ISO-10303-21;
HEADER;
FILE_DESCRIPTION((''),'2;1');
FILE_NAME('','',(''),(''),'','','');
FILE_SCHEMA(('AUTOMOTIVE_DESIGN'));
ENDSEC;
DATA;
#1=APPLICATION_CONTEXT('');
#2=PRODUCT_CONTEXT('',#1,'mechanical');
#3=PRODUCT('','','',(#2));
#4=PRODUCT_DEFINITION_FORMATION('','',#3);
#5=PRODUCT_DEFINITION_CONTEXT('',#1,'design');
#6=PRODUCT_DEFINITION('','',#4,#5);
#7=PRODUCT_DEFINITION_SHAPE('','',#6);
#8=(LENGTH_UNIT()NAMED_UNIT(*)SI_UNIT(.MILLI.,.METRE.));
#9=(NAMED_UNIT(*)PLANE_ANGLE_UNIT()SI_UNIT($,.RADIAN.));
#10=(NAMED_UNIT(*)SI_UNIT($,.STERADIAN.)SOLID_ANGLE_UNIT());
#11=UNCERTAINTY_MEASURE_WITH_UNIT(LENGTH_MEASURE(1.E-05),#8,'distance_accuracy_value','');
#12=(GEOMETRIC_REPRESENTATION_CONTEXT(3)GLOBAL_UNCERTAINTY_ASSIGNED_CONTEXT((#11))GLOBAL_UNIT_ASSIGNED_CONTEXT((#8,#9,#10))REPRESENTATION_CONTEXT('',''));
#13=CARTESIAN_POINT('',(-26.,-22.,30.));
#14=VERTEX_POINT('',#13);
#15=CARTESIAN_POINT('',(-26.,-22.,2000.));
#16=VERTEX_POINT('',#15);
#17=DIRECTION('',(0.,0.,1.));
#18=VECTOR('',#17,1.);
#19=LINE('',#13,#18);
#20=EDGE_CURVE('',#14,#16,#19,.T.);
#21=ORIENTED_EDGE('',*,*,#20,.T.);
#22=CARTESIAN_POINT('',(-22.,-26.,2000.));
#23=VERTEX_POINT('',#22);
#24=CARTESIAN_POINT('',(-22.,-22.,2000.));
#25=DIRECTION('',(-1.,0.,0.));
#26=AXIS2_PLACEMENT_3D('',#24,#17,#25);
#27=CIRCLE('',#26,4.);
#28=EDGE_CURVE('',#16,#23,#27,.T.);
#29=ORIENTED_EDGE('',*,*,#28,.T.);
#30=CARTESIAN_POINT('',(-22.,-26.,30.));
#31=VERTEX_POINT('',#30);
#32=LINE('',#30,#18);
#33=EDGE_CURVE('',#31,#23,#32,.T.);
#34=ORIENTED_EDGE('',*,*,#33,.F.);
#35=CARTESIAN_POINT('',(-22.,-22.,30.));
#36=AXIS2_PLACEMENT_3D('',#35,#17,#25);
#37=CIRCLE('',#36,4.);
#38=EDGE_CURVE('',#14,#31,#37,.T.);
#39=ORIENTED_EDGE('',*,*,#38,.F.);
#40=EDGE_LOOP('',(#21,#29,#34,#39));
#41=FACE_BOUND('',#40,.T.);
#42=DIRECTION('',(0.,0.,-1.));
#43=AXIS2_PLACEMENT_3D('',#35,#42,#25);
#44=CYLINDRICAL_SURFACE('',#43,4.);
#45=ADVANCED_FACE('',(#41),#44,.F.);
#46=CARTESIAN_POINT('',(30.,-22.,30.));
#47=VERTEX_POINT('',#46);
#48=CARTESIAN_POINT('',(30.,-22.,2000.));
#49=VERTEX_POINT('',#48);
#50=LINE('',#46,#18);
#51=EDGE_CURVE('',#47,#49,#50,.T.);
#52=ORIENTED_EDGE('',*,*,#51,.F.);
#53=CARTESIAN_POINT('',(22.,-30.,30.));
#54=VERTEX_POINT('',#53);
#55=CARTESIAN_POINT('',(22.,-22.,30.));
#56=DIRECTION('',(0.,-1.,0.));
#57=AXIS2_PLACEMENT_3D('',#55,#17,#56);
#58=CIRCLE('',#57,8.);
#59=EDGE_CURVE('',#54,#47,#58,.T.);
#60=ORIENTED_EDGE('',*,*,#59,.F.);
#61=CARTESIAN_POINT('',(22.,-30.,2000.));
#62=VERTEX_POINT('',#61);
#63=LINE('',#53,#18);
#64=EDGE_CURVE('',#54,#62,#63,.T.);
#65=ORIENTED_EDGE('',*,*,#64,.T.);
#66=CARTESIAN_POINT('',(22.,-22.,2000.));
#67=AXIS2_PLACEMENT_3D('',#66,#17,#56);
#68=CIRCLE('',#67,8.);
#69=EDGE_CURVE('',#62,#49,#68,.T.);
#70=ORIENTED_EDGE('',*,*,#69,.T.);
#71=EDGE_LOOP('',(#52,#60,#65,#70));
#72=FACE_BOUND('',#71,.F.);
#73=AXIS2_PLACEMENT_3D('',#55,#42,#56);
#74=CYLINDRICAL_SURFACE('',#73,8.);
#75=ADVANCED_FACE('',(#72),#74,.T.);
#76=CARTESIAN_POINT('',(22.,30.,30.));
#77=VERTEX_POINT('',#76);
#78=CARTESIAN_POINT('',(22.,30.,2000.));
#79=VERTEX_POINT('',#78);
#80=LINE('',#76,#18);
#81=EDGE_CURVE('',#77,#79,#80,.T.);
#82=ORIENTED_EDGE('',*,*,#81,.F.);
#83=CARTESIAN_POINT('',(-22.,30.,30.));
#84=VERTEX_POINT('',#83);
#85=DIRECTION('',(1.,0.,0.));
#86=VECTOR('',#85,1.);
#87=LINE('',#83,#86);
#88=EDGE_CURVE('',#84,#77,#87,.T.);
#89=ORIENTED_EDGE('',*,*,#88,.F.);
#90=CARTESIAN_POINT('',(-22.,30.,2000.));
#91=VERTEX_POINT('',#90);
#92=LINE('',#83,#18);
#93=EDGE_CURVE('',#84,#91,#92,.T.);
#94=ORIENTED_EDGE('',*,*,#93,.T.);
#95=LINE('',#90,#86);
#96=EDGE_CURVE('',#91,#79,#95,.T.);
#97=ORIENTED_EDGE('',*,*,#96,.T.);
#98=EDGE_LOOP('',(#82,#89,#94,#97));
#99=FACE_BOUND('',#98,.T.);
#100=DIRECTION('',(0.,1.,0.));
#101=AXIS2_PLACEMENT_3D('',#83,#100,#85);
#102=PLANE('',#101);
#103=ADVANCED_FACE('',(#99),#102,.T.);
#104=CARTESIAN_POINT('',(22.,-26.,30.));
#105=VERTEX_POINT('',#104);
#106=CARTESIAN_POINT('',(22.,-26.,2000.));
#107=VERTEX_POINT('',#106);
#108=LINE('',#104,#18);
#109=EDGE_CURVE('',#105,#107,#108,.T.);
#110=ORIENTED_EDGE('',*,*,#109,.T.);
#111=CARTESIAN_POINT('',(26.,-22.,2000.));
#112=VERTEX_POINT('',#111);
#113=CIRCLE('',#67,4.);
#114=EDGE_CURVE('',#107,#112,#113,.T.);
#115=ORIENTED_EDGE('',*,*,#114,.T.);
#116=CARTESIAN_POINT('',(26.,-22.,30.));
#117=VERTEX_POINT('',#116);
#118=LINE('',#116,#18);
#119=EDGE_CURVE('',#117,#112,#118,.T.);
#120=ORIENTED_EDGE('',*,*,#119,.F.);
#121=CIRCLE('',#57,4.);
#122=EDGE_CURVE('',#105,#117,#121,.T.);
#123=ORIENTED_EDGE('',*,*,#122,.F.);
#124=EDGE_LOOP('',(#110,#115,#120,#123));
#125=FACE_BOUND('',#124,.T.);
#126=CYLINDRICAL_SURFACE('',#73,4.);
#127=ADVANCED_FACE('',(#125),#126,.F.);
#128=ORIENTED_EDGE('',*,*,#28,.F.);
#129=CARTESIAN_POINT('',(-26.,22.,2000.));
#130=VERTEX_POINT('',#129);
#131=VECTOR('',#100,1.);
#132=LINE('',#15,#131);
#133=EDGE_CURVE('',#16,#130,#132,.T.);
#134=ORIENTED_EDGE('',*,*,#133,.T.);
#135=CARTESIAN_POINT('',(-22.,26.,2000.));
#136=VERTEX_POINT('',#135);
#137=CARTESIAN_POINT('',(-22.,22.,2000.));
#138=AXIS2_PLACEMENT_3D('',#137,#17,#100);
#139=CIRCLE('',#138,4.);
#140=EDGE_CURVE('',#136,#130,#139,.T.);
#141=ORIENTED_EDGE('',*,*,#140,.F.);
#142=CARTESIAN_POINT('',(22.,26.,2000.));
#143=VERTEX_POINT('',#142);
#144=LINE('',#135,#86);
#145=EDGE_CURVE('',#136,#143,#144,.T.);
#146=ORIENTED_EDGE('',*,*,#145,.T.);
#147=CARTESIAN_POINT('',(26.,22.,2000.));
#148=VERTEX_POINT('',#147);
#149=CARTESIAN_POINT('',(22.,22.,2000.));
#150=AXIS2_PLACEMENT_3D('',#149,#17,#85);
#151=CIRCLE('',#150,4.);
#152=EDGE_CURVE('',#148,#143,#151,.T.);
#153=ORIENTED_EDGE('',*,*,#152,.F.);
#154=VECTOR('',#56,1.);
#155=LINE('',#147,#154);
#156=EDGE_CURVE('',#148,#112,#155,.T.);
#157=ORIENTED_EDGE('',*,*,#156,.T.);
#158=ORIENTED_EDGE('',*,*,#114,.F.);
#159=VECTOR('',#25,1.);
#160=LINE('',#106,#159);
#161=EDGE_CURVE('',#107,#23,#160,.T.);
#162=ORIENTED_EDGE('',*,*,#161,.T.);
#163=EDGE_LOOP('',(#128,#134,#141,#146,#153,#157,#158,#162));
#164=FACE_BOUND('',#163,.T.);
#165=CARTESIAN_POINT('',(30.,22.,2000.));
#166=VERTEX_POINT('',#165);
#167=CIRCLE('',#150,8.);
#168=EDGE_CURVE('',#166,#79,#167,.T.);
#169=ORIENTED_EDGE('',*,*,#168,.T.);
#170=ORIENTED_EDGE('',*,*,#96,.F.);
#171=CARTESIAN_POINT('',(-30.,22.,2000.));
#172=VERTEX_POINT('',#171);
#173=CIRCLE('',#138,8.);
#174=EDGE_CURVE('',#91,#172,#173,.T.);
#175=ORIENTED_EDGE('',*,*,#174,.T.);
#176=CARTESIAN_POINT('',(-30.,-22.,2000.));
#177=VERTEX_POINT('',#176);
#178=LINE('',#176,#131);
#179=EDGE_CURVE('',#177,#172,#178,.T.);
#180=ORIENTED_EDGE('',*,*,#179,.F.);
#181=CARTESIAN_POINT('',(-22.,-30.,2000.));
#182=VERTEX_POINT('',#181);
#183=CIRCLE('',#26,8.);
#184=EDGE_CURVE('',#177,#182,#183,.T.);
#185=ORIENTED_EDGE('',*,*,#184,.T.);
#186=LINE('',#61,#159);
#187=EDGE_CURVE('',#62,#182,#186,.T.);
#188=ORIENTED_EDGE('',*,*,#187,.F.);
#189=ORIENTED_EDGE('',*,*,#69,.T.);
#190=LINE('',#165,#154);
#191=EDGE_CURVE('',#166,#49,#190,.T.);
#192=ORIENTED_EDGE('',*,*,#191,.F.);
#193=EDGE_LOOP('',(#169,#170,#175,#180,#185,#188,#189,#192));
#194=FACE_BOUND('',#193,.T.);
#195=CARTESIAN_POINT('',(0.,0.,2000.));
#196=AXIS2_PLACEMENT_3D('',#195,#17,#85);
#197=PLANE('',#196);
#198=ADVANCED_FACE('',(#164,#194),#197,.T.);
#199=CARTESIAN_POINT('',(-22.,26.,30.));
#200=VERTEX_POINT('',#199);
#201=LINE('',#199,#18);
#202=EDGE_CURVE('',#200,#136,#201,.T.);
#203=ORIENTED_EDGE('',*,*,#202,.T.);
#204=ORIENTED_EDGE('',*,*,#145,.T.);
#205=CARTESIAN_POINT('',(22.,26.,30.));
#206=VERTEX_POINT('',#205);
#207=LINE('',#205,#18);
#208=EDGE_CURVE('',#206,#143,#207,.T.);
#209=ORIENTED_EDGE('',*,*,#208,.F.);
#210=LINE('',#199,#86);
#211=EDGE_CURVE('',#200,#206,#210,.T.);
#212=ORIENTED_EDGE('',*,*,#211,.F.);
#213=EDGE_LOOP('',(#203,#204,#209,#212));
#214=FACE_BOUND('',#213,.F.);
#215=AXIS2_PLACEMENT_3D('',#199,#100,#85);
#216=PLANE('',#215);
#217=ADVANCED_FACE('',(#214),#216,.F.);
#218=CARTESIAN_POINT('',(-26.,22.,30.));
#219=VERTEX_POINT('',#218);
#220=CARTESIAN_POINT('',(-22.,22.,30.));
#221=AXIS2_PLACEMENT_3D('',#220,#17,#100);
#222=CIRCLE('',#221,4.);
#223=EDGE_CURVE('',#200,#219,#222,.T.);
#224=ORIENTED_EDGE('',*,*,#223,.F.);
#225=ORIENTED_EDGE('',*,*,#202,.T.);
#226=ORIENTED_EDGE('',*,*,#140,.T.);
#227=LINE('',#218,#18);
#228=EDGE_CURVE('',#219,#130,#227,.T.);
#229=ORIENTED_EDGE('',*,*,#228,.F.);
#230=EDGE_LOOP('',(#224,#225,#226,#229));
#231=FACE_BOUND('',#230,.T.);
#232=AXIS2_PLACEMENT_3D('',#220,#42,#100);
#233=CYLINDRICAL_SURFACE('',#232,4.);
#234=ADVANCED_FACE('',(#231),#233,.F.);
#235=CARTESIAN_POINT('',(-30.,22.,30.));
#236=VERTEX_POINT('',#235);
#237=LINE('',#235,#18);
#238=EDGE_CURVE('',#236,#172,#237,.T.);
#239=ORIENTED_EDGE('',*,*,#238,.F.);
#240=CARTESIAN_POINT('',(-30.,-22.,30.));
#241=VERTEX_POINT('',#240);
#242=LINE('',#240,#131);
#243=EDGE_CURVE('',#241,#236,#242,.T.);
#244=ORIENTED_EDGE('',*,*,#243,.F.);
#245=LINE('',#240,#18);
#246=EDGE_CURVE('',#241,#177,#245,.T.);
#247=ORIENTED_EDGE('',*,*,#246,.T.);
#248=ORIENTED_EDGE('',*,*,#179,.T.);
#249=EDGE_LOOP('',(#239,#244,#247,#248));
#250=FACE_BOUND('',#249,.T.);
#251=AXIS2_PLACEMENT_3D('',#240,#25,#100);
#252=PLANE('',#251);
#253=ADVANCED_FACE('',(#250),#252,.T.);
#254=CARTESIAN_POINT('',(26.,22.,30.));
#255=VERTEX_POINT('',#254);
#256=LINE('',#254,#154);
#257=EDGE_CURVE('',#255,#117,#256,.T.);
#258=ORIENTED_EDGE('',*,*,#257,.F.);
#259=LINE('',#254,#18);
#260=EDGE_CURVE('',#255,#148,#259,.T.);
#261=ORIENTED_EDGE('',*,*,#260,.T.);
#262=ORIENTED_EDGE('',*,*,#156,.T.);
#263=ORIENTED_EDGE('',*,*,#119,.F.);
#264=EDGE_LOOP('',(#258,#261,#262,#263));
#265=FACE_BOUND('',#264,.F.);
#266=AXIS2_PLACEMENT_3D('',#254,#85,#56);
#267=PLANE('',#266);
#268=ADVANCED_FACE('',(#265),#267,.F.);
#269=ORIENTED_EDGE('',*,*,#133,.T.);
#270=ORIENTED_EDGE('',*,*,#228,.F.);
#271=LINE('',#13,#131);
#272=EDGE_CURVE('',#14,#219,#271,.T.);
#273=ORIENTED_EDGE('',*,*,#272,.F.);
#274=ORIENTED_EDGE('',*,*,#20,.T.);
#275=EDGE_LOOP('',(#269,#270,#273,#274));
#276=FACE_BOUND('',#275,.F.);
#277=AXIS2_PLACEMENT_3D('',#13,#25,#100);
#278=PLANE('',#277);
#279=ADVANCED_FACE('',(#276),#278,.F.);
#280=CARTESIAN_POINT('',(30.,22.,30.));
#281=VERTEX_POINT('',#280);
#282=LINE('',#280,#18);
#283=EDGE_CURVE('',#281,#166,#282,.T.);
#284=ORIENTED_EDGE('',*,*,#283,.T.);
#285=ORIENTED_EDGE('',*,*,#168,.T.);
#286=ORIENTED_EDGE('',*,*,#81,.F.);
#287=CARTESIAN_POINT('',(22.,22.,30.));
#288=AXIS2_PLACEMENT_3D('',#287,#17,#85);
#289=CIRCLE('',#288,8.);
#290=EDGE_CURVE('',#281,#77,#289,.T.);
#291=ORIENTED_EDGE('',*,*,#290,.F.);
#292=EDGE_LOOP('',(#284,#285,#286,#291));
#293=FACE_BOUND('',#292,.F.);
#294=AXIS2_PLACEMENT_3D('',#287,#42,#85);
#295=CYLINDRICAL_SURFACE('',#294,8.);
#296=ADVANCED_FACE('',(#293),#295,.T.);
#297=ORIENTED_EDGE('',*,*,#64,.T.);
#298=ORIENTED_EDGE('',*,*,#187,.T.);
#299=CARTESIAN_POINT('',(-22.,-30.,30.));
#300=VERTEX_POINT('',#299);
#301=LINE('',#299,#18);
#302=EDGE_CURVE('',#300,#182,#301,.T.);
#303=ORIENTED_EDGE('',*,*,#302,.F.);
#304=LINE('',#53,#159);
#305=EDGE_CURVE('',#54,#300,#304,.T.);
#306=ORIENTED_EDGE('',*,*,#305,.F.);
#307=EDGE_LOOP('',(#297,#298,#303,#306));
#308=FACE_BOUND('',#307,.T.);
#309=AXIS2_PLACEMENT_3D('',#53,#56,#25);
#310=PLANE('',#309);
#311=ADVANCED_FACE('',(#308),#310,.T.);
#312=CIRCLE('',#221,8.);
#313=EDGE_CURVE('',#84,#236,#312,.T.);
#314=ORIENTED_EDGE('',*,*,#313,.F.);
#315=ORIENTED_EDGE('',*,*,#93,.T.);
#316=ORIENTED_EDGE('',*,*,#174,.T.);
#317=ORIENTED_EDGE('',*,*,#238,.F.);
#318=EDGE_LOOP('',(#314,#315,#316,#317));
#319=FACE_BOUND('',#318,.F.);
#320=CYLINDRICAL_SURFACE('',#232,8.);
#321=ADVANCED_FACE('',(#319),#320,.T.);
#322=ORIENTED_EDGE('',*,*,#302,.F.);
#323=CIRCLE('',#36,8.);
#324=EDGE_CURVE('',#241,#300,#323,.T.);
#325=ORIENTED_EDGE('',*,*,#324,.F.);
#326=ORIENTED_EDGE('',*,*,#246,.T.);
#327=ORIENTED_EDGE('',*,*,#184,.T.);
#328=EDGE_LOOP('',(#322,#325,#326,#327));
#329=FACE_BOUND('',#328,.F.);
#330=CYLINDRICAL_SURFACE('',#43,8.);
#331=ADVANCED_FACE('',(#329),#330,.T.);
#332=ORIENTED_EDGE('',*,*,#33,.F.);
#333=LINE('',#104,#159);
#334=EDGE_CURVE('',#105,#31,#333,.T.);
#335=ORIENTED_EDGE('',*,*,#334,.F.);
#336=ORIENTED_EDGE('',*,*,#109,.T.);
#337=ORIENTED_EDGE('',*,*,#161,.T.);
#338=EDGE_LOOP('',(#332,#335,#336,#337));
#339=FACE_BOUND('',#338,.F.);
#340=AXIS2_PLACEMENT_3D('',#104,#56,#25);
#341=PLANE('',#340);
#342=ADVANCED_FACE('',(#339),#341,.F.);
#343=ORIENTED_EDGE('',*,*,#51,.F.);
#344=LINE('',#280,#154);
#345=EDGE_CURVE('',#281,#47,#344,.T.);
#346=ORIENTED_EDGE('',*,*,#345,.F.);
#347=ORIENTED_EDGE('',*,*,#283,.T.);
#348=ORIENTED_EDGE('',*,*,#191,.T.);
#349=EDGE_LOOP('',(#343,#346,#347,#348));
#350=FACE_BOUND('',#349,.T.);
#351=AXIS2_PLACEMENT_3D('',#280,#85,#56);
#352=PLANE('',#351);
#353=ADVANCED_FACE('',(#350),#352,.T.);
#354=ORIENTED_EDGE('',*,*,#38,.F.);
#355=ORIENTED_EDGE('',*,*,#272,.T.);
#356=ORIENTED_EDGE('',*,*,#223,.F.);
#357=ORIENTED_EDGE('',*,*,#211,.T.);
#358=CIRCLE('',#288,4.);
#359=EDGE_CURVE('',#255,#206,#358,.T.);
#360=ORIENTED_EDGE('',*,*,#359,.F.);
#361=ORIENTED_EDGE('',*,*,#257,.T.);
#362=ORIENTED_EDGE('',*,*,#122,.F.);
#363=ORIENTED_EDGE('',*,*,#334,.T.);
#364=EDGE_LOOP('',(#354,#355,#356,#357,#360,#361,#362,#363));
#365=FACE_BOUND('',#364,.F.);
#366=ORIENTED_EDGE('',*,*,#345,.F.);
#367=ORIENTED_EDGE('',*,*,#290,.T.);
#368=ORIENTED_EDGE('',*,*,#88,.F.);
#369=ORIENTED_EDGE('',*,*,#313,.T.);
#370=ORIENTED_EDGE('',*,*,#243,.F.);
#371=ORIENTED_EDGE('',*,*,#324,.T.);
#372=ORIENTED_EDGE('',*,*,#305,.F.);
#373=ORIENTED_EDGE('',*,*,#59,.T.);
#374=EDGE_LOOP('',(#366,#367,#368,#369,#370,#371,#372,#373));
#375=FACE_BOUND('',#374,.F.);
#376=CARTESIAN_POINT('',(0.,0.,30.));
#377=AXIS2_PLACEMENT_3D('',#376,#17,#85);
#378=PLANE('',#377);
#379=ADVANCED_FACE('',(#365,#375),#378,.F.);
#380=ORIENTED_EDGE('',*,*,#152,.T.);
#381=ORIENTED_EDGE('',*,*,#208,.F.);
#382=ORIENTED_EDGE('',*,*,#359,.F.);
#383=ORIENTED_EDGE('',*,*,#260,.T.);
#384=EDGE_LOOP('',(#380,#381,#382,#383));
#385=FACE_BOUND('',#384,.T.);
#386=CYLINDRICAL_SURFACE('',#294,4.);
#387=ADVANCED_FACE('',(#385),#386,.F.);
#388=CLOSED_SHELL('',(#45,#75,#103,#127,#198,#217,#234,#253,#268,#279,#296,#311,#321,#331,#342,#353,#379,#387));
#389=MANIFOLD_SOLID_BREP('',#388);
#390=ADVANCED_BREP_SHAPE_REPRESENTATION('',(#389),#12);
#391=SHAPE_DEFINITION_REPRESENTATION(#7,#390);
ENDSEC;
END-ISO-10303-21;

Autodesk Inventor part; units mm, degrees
ref_plane "Start Plane" through (0, 0, 30) normal (0, 0, 1) x (1, 0, 0)
ref_plane "End Plane" through (0, 0, 2000) normal (0, 0, 1) x (1, 0, 0)
sketch "Sketch" plane through (0, 0, 0) normal (0, 0, 1) x (1, 0, 0)
  line L0 (-30, -22) -> (-30, 22)
  line L1 (-22, 30) -> (22, 30)
  line L2 (30, 22) -> (30, -22)
  line L3 (22, -30) -> (-22, -30)
  arc A0 (-30, -22) -> (-22, -30) centre (-22, -22) ccw
  arc A1 (30, 22) -> (22, 30) centre (22, 22) ccw
  arc A2 (-22, 30) -> (-30, 22) centre (-22, 22) ccw
  arc A3 (22, -30) -> (30, -22) centre (22, -22) ccw
  arc A4 (-22, 26) -> (-26, 22) centre (-22, 22) ccw
  line L4 (-22, 26) -> (22, 26)
  arc A5 (26, 22) -> (22, 26) centre (22, 22) ccw
  line L5 (26, 22) -> (26, -22)
  arc A6 (22, -26) -> (26, -22) centre (22, -22) ccw
  line L6 (22, -26) -> (-22, -26)
  arc A7 (-26, -22) -> (-22, -26) centre (-22, -22) ccw
  line L7 (-26, -22) -> (-26, 22)
  line L8 (0, 44.3196) -> (0, -44.3196) construction
  line L9 (-44.3196, 0) -> (44.3196, 0) construction
  dimension "d7" = 8
  dimension "d9" = 60
  dimension "d11" = 60
  dimension "d12" = 4
  dimension "d15" = 30
  dimension "d16" = 30
extrude "Body" add sketch "Sketch" along normal up to surface (1970 mm away) from surface at 30
sketch "Sketch3" plane through (0, 0, 0) normal (0, 0, 1) x (1, 0, 0)
  line L0 (0, 0) -> (10, 0)
ref_plane "Work Plane3" through (0, 0, 0) normal (0, -1, 0) x (1, 0, 0)
ref_plane "Work Plane4" through (-3500, -22, 30) normal (0, 0, -1) x (-1, 0, 0)
split "Split1" plane through (-3500, -22, 30) removes the side toward (0, 0, -1)
sketch "Sketch4" plane through (0, 0, 0) normal (0, -1, 0) x (1, 0, 0)
  line L0 (-2, 30) -> (12, 30) projected
  line L1 (-2, 2000) -> (12, 2000) projected
  dimension "d18" = 1970
equation "\"d7\" = G_IR"
equation "\"d9\" = G_W"
equation "\"d11\" = G_H"
equation "\"d12\" = G_T"
equation "\"d15\" = 0.5 * d9"
equation "\"d16\" = 0.5 * d11"
equation "\"d3\" = G_L"
equation "\"G_W\" = 60"
equation "\"G_H\" = 60"
equation "\"G_T\" = 4"
equation "\"G_IR\" = 8"
equation "\"G_L\" = d18"
equation "\"G_OFFSET_END\" = 0"
properties part number "ISO 10799-2 - 60x60x4 - 1970" material "Steel, Mild"
